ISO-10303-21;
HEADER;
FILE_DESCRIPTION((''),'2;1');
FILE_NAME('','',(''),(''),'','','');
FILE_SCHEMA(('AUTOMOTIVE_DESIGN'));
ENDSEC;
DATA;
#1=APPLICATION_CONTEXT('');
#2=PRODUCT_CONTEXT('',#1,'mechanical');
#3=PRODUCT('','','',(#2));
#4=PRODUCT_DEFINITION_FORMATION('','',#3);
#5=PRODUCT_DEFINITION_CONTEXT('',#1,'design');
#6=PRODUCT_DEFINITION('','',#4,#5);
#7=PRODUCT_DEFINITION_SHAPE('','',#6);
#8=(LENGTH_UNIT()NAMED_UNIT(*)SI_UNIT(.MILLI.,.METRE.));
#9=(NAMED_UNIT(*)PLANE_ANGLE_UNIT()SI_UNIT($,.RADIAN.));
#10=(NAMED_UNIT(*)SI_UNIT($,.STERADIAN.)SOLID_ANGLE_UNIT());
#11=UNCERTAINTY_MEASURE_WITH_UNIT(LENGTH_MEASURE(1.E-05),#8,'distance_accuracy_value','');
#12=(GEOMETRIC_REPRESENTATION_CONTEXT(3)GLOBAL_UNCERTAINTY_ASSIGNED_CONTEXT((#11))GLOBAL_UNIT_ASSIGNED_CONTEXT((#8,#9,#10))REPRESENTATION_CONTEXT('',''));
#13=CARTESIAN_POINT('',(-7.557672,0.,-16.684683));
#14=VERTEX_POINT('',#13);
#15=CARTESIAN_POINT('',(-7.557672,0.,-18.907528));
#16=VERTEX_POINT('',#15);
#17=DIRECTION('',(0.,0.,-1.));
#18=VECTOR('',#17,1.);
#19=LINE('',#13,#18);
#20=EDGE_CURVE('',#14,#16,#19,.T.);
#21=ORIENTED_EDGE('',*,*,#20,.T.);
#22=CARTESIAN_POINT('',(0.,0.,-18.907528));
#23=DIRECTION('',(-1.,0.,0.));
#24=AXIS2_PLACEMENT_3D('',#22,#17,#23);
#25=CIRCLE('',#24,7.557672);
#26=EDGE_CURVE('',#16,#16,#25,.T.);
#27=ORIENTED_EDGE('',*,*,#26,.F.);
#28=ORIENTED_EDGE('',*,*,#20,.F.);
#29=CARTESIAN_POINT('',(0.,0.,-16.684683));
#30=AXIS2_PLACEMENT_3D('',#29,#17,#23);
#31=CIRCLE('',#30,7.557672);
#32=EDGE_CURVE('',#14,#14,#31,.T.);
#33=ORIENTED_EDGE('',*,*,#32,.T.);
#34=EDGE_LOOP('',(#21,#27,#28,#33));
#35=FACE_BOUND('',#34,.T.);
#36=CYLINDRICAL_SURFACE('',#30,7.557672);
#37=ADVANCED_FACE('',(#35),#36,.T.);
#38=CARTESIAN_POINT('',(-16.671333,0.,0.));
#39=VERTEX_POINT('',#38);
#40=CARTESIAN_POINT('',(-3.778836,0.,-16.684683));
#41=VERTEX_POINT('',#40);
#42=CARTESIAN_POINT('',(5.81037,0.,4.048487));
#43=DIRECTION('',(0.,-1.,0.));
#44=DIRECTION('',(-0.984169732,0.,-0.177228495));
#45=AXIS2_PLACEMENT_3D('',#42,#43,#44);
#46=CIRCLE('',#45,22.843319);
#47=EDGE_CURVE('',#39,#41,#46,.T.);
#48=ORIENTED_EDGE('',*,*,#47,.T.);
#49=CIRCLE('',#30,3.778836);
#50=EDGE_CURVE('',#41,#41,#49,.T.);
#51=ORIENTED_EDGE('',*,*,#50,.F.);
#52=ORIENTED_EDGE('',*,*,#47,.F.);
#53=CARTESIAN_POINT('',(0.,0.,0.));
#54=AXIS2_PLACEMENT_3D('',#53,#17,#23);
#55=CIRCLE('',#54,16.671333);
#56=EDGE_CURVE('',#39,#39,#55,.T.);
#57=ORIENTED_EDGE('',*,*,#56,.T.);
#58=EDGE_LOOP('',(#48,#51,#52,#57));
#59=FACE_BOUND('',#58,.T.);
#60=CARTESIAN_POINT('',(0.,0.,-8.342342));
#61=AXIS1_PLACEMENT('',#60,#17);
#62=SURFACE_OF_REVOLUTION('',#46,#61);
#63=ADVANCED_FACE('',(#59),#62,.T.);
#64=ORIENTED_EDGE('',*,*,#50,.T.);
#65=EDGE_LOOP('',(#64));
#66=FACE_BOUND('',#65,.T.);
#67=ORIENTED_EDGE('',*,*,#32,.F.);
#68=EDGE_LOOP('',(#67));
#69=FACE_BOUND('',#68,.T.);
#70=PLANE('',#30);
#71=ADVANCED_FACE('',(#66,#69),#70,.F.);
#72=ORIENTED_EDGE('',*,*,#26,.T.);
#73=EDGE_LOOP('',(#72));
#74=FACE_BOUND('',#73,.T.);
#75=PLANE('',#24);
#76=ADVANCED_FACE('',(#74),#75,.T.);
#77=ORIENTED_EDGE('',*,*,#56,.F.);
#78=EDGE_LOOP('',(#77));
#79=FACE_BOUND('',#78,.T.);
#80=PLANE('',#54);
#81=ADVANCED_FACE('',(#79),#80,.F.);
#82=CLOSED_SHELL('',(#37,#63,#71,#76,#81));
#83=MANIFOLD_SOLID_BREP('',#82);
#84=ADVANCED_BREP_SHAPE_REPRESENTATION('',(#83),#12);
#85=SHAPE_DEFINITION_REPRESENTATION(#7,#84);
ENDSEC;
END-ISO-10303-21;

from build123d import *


with BuildPart() as f1:
    # F0 (on Front) → F1 (revolve)
    with BuildSketch(Plane.XZ):
        with BuildLine():
            Line((0, -16.684683), (0, 0))
            Line((0, 0), (-16.671333, 0))
            ThreePointArc((-16.671333, 0), (-12.265317, -9.918859), (-3.778836, -16.684683))
            Line((-3.778836, -16.684683), (0, -16.684683))
        make_face()
        Polygon((0, -18.907528), (0, -16.684683), (-3.778836, -16.684683), (-7.557672, -16.684683), (-7.557672, -18.907528), align=None)
    revolve(axis=Axis((0, 0, -8.342342), (0, 0, -1)))


solid = f1.part
